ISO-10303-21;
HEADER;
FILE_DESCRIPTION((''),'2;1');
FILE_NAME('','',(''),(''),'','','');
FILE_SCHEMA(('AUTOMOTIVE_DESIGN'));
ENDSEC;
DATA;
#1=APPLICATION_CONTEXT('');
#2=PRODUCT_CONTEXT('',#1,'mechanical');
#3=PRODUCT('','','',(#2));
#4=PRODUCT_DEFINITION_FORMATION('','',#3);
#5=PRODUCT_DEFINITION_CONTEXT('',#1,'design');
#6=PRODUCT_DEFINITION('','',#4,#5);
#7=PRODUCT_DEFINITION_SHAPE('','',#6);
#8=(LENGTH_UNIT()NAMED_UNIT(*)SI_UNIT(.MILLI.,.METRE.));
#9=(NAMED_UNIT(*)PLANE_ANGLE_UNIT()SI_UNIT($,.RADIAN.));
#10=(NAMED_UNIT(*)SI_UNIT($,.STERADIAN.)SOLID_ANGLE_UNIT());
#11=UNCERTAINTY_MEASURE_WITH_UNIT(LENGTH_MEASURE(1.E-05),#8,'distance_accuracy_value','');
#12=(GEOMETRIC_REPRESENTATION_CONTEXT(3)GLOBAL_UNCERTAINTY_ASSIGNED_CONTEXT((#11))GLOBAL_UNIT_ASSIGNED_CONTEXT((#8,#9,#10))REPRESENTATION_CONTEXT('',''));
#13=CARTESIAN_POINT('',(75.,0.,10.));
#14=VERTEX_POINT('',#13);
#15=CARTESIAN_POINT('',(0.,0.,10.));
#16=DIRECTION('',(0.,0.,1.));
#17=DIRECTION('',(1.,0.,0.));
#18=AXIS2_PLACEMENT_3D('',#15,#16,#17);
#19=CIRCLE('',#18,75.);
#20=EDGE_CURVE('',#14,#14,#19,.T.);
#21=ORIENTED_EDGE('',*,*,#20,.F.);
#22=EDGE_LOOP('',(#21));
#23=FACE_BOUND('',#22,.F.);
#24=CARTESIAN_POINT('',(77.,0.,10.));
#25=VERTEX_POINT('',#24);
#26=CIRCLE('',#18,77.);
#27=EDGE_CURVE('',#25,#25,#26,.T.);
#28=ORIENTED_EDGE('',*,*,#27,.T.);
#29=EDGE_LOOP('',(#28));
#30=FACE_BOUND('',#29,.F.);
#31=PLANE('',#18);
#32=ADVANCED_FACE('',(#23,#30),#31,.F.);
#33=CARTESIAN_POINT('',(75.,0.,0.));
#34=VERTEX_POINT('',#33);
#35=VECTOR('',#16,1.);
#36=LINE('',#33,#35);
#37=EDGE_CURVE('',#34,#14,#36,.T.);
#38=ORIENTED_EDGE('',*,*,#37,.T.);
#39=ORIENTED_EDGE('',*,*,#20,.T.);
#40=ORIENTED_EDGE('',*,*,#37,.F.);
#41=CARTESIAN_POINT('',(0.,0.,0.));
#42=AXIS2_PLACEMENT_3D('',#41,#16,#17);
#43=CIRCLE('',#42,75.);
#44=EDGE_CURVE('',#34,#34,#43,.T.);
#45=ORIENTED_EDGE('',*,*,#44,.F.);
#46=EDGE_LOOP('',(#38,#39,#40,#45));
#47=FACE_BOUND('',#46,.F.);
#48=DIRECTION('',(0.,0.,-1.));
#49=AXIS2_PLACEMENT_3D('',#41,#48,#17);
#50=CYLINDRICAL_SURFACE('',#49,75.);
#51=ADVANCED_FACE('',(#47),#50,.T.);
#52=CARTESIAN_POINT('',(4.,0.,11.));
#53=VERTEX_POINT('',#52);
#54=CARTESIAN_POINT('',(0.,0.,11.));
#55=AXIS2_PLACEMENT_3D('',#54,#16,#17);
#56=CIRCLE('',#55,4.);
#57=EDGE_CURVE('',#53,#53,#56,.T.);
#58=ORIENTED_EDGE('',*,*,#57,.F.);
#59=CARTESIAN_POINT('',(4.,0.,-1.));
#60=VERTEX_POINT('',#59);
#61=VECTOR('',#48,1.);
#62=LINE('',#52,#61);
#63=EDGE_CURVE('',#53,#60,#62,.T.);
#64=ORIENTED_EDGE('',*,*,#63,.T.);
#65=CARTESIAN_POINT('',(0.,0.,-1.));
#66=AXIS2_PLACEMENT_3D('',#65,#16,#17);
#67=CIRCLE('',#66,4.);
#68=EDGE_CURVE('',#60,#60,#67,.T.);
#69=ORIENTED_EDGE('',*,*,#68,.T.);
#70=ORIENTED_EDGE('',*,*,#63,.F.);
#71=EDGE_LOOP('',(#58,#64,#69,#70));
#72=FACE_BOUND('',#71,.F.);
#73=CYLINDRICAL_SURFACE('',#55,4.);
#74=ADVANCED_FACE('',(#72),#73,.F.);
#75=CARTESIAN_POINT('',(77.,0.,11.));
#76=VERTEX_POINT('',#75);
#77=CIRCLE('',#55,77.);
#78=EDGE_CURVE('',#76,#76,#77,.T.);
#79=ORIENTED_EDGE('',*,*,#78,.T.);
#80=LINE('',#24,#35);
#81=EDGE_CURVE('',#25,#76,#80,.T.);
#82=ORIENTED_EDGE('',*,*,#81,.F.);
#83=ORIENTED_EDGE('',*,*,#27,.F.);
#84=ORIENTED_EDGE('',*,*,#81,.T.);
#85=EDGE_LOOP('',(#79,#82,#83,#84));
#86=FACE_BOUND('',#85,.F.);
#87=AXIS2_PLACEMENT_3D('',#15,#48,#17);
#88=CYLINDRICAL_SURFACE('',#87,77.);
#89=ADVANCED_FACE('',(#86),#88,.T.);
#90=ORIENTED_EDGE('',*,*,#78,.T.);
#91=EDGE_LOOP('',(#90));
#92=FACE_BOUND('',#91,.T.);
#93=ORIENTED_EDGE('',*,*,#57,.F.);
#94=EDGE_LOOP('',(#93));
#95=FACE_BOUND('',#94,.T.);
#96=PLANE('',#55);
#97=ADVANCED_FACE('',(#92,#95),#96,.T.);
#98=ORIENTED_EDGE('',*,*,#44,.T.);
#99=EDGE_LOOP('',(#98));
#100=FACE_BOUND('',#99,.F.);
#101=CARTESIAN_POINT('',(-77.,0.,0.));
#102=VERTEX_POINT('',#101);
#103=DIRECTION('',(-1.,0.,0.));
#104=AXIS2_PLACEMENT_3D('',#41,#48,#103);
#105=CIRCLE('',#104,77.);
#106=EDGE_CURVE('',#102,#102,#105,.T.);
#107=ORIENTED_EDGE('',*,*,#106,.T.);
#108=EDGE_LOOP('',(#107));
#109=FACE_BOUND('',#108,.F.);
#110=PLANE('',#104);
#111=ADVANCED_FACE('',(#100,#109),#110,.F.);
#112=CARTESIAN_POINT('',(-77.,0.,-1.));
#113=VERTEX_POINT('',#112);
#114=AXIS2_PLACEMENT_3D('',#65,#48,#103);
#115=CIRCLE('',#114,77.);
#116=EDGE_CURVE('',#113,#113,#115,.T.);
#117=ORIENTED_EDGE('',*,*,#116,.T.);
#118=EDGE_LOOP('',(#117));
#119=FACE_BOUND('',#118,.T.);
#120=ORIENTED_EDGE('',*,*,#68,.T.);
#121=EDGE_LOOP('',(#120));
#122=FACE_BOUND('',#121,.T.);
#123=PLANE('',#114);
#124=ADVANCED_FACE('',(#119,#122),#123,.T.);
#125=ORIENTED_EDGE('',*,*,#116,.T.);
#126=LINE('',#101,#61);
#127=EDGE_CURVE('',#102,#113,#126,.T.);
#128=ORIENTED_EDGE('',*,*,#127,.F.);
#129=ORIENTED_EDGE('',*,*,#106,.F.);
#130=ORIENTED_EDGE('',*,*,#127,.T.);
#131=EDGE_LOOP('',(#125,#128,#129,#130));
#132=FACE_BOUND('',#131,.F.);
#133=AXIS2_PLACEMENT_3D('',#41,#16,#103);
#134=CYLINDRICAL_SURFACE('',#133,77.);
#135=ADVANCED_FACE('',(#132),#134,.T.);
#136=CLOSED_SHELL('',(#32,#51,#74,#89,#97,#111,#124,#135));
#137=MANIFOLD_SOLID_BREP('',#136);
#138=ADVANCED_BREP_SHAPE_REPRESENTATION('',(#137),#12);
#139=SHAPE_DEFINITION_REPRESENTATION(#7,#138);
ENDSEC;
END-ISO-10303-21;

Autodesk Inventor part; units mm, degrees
ref_plane "YZ Plane" through (0, 0, 0) normal (1, 0, 0) x (0, 1, 0)
ref_plane "XZ Plane" through (0, 0, 0) normal (0, 1, 0) x (-1, 0, 0)
ref_plane "XY Plane" through (0, 0, 0) normal (0, 0, 1) x (1, 0, 0)
sketch "スケッチ1" plane through (0, 0, 0) normal (0, 0, 1) x (1, 0, 0)
  circle A0 centre (0, 0) radius 75
  dimension "d0" = 150
extrude "押し出し1" add sketch "スケッチ1" along normal blind 10
sketch "スケッチ2" plane through (0, 0, 10) normal (0, 0, 1) x (1, 0, 0)
  circle A0 centre (0, 0) radius 77
  dimension "d3" = 154
extrude "押し出し2" add sketch "スケッチ2" along normal blind 1
sketch "スケッチ3" plane through (0, 0, 0) normal (0, 0, -1) x (-1, 0, 0)
  circle A0 centre (0, 0) radius 77
  dimension "d6" = 154
extrude "押し出し3" add sketch "スケッチ3" along normal blind 1
sketch "スケッチ4" plane through (0, 0, 11) normal (0, 0, 1) x (1, 0, 0)
  circle A0 centre (0, 0) radius 4
  dimension "d9" = 8
extrude "押し出し4" cut sketch "スケッチ4" against normal blind 12
properties part number "射出_type0" material "アセタール樹脂、白"
